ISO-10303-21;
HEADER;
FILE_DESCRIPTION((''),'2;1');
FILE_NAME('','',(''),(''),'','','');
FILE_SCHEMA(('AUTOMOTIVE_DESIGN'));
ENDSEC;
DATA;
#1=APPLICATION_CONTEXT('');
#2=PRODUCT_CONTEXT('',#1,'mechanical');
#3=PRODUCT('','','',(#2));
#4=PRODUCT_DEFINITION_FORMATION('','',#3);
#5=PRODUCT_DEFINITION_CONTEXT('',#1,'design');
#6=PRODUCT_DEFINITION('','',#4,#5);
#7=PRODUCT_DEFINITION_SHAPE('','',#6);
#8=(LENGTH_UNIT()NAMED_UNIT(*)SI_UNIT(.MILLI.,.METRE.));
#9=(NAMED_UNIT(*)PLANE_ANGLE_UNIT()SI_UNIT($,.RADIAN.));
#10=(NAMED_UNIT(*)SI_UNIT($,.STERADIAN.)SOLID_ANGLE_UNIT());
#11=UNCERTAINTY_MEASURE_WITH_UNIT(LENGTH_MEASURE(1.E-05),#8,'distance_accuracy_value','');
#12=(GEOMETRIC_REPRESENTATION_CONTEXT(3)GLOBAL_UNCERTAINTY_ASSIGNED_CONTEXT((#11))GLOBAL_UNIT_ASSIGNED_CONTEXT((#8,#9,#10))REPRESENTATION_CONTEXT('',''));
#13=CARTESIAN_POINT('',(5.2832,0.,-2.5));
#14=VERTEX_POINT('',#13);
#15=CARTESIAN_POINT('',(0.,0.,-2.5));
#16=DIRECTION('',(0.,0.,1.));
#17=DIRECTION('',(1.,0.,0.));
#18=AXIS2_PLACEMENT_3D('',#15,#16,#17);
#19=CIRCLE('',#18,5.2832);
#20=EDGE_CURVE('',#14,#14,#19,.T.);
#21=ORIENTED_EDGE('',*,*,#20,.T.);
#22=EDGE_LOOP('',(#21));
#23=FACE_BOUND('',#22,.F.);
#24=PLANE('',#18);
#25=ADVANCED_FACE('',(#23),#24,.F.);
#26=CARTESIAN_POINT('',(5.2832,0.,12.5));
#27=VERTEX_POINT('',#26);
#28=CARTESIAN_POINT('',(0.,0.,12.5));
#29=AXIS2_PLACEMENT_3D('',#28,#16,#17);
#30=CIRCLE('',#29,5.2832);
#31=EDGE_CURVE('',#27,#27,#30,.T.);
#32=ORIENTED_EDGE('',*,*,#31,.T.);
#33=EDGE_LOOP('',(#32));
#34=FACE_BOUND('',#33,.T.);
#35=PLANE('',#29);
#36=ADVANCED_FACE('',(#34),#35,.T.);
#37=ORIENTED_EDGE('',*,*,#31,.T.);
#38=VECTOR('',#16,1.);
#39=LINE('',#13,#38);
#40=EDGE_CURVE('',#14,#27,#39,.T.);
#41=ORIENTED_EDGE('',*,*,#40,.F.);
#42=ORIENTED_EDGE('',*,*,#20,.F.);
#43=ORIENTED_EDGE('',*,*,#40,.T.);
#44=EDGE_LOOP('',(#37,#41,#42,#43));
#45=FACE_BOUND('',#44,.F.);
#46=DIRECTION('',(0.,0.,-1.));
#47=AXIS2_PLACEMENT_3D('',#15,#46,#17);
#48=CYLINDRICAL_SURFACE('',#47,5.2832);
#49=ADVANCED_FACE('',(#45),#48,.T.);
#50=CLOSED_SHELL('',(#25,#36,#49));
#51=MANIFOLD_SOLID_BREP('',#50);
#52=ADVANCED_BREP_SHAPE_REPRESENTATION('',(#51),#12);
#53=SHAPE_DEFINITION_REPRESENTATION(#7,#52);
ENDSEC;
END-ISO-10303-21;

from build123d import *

# Parameters (mm, degrees)
CYLINDER_R     = 5.2832
CYLINDER_DEPTH = 15


with BuildPart() as part:
    # Cylinder → Cylinder (new body)
    with BuildSketch(Plane.XY.offset(-2.5)):
        Circle(CYLINDER_R)
    extrude(amount=CYLINDER_DEPTH)


solid = part.part
